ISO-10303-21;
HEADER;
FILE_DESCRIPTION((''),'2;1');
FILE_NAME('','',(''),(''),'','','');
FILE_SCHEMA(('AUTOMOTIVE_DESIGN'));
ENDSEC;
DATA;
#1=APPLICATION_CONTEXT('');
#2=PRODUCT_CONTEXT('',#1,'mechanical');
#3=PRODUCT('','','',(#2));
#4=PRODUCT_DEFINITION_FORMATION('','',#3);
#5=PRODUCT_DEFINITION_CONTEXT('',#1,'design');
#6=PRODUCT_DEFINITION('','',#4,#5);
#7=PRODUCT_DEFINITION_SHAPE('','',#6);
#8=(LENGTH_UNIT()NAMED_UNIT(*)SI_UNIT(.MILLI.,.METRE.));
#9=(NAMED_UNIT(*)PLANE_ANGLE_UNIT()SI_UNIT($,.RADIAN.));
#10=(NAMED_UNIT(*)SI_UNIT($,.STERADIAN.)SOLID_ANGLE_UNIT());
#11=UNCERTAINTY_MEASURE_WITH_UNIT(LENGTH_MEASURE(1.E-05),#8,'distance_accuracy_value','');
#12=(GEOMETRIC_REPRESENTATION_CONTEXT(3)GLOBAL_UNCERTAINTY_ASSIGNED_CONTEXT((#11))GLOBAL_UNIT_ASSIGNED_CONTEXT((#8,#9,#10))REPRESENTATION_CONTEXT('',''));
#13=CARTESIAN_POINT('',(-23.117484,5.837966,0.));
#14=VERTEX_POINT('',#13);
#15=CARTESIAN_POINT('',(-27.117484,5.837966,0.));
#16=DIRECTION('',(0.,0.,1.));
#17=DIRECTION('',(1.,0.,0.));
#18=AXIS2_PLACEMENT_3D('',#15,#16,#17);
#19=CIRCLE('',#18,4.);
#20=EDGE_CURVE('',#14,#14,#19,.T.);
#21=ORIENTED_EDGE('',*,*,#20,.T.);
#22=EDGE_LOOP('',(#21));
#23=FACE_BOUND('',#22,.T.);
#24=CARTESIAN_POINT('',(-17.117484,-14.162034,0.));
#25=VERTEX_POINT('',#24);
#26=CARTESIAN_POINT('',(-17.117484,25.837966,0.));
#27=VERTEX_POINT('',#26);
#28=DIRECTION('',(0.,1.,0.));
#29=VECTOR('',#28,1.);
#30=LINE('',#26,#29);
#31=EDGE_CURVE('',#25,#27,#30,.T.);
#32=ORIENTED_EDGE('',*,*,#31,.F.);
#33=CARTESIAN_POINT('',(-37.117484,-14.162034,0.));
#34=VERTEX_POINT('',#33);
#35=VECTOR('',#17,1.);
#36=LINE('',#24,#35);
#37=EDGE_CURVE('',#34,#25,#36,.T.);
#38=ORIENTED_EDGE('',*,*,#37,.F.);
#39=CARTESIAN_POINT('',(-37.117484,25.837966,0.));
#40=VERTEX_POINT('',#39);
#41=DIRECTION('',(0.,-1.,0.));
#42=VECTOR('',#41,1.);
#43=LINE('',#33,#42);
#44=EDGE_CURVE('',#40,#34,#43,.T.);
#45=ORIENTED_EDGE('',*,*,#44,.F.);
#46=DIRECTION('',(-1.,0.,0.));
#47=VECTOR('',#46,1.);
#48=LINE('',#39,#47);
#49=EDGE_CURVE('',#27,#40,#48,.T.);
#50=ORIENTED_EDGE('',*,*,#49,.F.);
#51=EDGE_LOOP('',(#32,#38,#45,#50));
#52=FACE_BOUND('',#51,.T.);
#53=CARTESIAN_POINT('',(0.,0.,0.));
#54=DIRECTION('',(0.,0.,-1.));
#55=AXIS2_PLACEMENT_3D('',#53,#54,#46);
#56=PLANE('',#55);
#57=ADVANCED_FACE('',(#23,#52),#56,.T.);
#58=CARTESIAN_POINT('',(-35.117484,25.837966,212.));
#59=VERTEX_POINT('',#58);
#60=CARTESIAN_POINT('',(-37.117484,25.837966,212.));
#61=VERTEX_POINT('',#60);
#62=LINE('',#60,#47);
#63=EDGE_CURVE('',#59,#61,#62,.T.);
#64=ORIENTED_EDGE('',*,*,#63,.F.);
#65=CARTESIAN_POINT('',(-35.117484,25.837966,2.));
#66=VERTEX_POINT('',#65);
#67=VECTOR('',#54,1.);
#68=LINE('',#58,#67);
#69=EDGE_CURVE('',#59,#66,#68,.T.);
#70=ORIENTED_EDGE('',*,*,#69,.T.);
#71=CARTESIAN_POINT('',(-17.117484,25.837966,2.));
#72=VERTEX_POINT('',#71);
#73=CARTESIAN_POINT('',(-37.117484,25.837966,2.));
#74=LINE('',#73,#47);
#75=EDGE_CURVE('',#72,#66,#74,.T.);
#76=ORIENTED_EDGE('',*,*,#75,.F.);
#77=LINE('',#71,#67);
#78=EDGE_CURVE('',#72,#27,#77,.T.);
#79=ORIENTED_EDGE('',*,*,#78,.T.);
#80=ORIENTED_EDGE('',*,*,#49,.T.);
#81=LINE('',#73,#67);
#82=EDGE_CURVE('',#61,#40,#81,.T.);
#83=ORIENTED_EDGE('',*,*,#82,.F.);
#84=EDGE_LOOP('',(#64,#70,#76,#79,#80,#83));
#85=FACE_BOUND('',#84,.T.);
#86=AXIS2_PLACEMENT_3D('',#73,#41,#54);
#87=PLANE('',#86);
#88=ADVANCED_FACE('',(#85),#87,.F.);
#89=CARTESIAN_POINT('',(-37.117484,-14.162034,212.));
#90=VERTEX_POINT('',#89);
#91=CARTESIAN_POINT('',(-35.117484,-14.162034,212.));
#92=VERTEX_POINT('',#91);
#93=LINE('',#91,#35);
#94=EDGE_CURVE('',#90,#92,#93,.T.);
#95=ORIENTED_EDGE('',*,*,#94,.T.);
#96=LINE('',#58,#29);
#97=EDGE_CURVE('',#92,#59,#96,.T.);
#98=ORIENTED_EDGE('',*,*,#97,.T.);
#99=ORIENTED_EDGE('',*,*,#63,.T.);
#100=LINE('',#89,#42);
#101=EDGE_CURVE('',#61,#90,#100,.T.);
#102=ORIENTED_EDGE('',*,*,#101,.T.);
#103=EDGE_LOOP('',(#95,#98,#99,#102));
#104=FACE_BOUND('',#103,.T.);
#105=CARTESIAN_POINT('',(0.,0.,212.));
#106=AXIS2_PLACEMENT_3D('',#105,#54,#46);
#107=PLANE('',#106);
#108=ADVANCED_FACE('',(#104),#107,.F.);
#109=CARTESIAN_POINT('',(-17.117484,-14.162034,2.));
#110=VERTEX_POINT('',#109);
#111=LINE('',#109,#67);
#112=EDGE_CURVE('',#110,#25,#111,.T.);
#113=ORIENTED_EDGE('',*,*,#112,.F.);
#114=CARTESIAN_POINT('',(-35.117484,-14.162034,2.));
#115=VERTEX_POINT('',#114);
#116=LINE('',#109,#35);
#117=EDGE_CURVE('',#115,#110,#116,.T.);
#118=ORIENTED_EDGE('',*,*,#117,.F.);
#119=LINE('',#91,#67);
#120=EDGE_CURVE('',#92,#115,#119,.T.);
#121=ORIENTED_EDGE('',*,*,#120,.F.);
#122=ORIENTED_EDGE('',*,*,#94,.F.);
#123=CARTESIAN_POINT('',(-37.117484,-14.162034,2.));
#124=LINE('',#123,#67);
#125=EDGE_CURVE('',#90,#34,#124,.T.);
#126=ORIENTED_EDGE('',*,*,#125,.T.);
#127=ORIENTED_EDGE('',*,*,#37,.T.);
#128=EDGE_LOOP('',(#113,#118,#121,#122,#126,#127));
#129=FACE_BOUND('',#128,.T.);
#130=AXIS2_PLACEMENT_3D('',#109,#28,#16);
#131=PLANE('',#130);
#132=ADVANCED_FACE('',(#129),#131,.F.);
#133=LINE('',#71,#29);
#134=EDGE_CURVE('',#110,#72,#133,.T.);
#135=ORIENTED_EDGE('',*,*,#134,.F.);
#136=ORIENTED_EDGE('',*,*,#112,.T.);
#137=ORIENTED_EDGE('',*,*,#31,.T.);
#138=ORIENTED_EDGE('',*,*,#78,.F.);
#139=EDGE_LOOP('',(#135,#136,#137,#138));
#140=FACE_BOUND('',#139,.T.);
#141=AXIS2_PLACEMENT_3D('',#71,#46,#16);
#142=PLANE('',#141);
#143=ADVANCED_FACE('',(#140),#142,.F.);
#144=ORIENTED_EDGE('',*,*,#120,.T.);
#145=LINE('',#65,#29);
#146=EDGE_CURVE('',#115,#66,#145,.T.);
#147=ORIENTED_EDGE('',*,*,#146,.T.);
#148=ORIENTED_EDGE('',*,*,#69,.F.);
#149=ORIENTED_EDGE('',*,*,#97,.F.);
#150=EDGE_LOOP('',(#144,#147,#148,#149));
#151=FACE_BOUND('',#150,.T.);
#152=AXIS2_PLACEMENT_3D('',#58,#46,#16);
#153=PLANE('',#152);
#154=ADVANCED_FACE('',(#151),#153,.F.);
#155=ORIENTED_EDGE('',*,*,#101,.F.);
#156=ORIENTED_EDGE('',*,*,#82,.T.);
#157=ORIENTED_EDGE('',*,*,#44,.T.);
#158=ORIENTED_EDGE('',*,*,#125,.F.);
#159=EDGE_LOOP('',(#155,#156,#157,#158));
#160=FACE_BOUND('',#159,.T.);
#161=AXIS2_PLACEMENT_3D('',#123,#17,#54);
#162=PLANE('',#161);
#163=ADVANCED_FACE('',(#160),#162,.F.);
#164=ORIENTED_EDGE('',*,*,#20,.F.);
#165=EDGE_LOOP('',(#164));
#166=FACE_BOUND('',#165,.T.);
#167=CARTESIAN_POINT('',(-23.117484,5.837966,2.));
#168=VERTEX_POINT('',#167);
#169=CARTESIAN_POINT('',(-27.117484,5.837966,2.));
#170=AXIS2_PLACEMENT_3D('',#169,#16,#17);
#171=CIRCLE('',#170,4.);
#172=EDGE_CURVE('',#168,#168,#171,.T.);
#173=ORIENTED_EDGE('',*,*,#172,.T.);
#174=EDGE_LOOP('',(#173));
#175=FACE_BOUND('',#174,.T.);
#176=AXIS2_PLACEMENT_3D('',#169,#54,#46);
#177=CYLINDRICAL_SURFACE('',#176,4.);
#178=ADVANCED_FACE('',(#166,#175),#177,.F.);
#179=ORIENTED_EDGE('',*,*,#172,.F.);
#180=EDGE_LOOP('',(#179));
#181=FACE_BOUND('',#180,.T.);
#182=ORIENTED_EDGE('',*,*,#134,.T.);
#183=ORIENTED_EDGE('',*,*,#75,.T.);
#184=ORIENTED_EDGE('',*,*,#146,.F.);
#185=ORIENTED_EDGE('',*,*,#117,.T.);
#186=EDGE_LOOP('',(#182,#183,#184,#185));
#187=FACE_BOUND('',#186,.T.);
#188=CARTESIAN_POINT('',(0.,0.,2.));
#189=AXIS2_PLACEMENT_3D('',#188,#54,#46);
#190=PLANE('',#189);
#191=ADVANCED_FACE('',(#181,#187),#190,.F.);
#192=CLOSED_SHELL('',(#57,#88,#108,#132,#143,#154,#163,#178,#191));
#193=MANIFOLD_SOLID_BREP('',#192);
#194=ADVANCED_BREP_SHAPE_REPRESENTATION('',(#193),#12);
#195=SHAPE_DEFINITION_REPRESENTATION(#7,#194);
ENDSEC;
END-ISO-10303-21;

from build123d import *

# Parameters (mm, degrees)
SKETCH_1_W      = 20
SKETCH_1_H      = 40
SKETCH_1_R      = 4
EXTRUDE_1_DEPTH = 2
SKETCH_2_W      = 2
SKETCH_2_H      = 40
EXTRUDE_2_DEPTH = 210


with BuildPart() as part:
    # 草图1 → 凸台-拉伸1 (new body)
    with BuildSketch(Plane.XY):
        with Locations((-27.117483575, 5.837965598)):
            Rectangle(SKETCH_1_W, SKETCH_1_H)
        with Locations((-27.117483575, 5.837965598)):
            Circle(SKETCH_1_R, mode=Mode.SUBTRACT)
    extrude(amount=EXTRUDE_1_DEPTH)

    # 草图2 → 凸台-拉伸2 (add)
    with BuildSketch(Plane.XY.offset(2)):
        with Locations((-36.117483575, 5.837965598)):
            Rectangle(SKETCH_2_W, SKETCH_2_H)
    extrude(amount=EXTRUDE_2_DEPTH)


solid = part.part
